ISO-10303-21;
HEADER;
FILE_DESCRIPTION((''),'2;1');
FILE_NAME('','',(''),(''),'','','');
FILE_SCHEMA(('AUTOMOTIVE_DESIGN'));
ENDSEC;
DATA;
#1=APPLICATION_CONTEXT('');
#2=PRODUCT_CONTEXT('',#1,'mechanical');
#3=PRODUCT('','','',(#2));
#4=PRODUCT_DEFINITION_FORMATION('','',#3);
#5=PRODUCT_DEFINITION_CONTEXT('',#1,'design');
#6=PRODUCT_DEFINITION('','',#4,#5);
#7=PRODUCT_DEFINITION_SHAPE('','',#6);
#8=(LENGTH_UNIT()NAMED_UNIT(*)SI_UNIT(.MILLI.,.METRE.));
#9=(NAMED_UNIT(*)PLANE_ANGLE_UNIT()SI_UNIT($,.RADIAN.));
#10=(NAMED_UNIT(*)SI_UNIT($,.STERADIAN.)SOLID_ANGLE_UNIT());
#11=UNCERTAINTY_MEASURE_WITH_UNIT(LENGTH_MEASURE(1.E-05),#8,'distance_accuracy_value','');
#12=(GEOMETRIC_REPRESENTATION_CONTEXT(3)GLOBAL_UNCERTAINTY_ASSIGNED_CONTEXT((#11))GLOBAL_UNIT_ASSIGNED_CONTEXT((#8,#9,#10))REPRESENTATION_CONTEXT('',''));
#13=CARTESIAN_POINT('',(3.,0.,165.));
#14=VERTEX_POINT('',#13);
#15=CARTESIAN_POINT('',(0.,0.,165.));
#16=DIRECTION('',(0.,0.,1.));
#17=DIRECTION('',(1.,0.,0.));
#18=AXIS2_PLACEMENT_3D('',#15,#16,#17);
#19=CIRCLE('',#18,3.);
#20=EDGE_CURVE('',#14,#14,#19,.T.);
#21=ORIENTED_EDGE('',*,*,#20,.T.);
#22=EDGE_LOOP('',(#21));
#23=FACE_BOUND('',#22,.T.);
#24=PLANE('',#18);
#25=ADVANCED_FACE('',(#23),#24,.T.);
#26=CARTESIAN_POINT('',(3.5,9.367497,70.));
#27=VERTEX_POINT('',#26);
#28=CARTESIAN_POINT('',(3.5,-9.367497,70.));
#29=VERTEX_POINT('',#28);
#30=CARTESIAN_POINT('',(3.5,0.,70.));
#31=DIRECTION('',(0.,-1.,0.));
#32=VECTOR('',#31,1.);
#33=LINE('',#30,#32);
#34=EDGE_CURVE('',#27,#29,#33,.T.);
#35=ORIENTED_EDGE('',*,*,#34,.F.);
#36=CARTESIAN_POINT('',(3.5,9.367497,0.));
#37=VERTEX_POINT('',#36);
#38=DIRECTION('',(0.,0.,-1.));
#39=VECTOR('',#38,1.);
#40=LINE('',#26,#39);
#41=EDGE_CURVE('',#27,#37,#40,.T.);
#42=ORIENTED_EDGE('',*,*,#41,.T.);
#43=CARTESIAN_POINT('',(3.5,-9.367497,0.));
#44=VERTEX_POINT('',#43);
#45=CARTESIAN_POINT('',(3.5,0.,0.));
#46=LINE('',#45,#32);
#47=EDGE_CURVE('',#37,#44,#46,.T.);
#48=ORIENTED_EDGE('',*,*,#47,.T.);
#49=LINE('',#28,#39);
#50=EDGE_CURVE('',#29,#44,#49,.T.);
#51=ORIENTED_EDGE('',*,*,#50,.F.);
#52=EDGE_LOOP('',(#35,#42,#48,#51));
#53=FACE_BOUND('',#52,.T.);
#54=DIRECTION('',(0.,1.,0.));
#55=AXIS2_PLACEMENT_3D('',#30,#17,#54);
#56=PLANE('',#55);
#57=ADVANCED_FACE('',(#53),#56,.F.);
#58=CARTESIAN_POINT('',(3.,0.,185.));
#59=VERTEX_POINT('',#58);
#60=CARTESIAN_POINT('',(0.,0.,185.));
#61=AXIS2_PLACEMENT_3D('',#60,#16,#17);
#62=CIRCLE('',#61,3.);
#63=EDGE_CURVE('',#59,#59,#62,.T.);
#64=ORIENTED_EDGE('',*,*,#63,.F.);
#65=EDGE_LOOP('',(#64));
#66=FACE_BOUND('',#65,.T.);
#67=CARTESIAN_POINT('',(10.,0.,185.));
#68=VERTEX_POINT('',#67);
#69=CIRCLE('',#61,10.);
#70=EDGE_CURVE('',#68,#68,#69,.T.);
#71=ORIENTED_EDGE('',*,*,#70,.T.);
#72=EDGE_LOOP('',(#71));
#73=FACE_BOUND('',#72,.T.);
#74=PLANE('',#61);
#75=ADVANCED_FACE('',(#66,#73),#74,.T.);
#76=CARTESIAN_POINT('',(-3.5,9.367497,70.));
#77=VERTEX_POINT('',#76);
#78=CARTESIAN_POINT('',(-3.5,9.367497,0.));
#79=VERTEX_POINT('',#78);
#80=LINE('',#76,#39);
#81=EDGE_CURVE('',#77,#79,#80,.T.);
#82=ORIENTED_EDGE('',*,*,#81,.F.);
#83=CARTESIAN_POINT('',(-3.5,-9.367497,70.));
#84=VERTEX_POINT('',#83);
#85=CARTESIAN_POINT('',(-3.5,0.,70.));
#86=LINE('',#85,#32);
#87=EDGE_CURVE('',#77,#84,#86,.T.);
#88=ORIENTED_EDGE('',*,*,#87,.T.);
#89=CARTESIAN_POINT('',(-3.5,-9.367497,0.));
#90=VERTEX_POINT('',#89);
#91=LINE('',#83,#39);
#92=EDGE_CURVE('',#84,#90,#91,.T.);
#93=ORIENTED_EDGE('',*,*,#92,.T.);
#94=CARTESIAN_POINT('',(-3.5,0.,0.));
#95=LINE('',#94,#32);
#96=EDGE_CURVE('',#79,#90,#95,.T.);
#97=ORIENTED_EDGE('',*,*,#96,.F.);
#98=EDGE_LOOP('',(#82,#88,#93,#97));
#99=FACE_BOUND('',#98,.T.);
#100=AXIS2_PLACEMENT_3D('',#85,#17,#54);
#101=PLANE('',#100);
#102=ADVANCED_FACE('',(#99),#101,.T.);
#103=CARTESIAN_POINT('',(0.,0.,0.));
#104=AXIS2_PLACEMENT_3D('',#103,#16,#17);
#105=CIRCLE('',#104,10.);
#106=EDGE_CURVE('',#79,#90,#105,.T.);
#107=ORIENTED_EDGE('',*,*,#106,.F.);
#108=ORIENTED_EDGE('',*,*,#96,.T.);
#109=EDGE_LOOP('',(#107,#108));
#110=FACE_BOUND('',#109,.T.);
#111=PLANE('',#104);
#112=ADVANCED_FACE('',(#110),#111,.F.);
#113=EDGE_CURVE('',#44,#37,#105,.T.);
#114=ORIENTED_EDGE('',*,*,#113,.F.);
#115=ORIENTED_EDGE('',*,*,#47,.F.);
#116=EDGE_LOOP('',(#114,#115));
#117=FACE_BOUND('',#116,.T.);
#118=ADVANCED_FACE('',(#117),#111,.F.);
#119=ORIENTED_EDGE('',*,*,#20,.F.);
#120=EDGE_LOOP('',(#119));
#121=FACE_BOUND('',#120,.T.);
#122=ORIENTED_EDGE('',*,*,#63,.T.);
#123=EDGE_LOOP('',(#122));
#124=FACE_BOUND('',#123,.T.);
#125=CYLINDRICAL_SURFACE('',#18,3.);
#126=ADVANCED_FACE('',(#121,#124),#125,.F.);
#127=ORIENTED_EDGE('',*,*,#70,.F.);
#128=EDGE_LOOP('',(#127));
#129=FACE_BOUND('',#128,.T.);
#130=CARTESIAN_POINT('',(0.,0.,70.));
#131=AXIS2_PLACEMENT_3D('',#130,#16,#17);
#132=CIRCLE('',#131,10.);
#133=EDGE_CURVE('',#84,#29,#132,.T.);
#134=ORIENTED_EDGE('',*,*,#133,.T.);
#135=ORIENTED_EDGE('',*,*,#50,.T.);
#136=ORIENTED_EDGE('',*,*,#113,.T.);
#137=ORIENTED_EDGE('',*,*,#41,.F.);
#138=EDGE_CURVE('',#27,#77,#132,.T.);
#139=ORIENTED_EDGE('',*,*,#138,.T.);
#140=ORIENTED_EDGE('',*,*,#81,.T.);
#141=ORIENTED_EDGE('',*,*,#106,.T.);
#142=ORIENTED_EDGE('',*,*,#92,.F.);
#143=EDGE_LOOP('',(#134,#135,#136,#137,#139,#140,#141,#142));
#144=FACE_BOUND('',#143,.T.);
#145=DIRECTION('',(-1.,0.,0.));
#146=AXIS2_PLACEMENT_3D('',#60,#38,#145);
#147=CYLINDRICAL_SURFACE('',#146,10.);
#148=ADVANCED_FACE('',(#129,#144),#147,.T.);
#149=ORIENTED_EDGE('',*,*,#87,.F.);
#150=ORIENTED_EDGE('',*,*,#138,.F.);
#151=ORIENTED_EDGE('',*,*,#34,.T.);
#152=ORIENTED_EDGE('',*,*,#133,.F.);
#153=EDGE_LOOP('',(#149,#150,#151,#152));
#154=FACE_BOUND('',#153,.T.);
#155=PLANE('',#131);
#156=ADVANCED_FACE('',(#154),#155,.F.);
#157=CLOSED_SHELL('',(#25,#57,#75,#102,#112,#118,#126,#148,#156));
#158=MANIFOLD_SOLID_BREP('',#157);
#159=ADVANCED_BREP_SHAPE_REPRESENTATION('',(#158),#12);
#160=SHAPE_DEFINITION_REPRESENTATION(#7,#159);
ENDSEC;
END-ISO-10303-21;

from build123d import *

# Parameters (mm, degrees)
SKETCH1_R           = 10
BOSS_EXTRUDE1_DEPTH = 185
CUT_EXTRUDE1_DEPTH  = 70
SKETCH3_R           = 3
CUT_EXTRUDE2_DEPTH  = 20


with BuildPart() as part:
    # Sketch1 → Boss-Extrude1 (new body)
    with BuildSketch(Plane.XY):
        Circle(SKETCH1_R)
    extrude(amount=BOSS_EXTRUDE1_DEPTH)

    # Sketch1<3> → Cut-Extrude1 (cut)
    with BuildSketch(Plane.XY):
        with BuildLine():
            Line((3.5, -9.367496998), (3.5, 9.367496998))
            ThreePointArc((3.5, 9.367496998), (0, 10), (-3.5, 9.367496998))
            Line((-3.5, 9.367496998), (-3.5, -9.367496998))
            ThreePointArc((-3.5, -9.367496998), (0, -10), (3.5, -9.367496998))
        make_face()
    extrude(amount=CUT_EXTRUDE1_DEPTH, mode=Mode.SUBTRACT)

    # Sketch3 → Cut-Extrude2 (cut)
    with BuildSketch(Plane.XY.offset(185)):
        Circle(SKETCH3_R)
    extrude(amount=-CUT_EXTRUDE2_DEPTH, mode=Mode.SUBTRACT)


solid = part.part
